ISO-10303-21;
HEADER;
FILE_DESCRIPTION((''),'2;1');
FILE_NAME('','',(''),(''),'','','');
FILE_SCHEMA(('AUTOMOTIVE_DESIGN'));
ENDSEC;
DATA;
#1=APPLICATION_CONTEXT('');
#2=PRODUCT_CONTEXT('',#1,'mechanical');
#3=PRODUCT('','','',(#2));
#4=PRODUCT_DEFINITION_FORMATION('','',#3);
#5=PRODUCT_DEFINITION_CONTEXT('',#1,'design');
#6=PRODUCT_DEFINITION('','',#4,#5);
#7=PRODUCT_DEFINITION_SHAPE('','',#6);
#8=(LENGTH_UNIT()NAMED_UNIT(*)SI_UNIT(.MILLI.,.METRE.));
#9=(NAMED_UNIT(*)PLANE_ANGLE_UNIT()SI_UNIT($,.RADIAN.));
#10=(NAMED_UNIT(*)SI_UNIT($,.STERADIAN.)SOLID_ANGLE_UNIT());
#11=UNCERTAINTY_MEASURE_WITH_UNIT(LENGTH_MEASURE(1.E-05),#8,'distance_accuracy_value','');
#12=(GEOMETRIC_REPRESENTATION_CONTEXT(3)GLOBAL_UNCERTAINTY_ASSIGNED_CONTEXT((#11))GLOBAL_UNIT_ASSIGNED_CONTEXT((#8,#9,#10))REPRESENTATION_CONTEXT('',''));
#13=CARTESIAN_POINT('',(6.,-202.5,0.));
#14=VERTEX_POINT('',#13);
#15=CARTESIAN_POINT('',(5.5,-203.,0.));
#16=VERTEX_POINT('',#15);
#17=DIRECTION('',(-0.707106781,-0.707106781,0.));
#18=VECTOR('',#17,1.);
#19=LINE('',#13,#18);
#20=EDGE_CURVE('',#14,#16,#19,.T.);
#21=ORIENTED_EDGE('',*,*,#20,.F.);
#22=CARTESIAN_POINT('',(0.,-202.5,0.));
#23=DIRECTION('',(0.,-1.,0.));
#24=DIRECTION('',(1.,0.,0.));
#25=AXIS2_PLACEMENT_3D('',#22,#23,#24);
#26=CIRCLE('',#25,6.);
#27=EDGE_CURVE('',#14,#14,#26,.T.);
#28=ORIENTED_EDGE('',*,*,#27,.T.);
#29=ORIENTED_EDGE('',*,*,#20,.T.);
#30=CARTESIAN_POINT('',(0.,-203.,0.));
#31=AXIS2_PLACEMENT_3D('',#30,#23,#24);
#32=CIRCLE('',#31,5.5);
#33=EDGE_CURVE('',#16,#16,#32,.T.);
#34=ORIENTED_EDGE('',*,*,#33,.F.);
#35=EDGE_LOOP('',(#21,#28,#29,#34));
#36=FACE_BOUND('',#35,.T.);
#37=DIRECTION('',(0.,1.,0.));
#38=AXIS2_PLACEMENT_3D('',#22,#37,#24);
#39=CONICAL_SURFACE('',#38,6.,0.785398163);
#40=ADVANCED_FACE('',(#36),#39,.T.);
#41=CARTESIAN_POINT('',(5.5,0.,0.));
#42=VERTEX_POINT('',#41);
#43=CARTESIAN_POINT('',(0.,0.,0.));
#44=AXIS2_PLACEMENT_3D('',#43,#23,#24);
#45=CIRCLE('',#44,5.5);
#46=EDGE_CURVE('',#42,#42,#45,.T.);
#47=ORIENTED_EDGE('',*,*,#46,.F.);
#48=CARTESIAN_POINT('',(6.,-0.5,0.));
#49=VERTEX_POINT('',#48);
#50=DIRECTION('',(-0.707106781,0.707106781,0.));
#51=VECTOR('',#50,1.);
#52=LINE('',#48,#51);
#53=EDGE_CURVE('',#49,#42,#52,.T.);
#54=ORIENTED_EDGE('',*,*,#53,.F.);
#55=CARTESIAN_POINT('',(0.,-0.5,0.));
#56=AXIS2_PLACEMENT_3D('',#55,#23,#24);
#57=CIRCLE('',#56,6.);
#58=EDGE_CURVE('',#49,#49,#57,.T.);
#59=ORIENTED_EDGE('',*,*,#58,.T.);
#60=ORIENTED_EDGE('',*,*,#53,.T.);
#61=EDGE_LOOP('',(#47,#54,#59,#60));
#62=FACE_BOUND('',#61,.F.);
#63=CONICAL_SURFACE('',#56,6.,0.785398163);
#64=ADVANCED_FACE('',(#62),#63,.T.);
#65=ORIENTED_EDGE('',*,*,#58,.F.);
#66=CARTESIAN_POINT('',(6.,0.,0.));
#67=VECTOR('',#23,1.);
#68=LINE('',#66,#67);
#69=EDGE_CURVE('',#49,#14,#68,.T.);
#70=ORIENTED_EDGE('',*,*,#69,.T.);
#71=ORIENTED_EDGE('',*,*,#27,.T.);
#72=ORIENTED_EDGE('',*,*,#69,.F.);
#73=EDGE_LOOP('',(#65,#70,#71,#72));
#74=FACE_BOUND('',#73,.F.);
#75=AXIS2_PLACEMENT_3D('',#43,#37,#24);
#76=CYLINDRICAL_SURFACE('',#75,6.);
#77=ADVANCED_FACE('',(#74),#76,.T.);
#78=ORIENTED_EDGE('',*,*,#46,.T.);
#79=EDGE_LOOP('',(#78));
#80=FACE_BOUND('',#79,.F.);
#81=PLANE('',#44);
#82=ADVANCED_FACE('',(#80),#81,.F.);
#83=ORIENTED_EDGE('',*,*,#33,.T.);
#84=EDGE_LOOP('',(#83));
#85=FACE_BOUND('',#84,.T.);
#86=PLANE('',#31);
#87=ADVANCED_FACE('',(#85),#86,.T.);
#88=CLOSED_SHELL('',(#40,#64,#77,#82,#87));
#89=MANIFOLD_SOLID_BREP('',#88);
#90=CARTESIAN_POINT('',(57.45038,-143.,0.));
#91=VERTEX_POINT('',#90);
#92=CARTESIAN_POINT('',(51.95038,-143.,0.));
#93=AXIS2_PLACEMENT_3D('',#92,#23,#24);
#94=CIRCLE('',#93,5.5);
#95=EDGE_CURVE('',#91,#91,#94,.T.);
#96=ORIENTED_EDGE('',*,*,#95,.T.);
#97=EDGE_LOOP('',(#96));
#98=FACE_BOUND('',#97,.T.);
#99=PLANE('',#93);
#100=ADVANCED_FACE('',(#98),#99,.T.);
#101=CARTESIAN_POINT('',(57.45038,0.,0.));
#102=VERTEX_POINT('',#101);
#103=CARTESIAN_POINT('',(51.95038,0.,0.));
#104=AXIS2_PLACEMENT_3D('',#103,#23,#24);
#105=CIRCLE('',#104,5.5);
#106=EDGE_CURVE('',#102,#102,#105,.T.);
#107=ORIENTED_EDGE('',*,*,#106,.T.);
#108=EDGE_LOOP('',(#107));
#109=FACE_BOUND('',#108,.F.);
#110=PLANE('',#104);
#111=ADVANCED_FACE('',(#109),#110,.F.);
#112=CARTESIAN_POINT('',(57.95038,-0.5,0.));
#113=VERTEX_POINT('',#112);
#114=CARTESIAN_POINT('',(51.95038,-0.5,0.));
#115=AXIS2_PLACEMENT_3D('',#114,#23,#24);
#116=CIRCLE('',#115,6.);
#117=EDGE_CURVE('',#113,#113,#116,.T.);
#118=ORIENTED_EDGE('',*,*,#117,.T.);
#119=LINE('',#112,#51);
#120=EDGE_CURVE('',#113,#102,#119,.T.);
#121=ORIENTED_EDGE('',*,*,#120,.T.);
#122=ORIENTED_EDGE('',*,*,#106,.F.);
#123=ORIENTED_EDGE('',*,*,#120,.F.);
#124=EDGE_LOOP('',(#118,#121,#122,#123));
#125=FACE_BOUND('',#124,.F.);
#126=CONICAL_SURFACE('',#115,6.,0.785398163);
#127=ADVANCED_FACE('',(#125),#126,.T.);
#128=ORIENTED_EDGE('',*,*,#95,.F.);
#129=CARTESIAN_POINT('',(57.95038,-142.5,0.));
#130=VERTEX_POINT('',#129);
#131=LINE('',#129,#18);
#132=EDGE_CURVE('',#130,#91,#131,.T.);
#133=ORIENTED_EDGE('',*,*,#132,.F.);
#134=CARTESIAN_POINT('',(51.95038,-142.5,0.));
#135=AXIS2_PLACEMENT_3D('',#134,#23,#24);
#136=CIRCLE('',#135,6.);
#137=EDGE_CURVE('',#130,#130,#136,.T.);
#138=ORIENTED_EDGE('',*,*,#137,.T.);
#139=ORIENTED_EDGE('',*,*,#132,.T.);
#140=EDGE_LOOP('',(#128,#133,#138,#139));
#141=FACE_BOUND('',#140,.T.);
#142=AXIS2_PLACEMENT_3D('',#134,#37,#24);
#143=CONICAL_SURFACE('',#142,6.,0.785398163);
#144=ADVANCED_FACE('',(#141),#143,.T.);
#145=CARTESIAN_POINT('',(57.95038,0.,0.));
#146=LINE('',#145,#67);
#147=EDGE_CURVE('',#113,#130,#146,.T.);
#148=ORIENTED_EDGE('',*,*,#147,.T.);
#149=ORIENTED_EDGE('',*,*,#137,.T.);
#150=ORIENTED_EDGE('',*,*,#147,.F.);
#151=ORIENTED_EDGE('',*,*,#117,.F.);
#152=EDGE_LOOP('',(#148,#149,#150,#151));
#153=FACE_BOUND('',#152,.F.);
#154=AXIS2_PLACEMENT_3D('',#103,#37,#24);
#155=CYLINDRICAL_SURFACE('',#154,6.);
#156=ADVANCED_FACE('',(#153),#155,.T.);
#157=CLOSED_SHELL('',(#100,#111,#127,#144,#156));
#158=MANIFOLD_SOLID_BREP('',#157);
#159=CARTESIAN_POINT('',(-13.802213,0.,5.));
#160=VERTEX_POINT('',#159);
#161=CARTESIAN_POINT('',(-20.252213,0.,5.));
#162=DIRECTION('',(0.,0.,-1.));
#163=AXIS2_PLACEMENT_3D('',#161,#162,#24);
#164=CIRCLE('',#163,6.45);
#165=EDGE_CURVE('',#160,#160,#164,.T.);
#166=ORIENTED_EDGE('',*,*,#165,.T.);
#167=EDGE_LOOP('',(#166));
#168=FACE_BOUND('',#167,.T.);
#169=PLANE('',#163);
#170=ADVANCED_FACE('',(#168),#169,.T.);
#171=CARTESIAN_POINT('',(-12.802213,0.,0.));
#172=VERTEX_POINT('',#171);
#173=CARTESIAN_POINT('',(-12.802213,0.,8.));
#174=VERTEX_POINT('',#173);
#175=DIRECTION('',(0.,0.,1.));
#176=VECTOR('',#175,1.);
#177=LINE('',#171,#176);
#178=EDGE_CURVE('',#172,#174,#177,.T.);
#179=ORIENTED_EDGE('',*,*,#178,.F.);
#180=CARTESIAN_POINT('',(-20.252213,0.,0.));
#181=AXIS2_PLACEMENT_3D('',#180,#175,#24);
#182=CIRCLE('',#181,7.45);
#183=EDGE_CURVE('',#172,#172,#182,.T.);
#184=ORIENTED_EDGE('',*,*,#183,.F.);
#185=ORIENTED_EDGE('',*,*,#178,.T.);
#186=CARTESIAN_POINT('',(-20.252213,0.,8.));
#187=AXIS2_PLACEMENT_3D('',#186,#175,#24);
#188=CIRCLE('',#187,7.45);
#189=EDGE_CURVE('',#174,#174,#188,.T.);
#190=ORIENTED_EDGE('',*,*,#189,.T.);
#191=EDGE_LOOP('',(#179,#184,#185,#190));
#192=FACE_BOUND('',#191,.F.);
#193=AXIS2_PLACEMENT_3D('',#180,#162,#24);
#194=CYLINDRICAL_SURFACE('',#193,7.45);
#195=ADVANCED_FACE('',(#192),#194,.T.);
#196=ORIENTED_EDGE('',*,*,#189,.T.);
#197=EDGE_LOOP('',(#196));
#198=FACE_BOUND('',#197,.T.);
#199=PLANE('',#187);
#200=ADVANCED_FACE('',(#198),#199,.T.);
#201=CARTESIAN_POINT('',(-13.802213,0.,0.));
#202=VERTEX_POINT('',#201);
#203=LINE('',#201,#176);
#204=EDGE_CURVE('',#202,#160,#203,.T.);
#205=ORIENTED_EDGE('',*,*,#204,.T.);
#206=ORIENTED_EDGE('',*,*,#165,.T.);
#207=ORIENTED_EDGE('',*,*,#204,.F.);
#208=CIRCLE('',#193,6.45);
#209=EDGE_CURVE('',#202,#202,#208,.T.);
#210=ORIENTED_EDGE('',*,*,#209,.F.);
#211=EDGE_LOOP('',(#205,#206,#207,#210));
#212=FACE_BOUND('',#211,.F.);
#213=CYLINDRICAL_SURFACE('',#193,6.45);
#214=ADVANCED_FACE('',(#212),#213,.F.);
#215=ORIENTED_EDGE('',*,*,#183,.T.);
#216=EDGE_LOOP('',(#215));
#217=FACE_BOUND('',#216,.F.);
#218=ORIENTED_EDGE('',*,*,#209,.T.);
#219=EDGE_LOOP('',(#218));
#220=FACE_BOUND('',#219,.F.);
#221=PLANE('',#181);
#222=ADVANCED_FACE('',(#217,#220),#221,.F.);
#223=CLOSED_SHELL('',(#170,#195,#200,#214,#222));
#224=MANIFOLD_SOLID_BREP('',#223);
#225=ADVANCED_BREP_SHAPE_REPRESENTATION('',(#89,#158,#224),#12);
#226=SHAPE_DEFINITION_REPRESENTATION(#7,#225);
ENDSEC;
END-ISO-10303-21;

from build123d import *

# Parameters (mm, degrees)
F0_R     = 6
F1_DEPTH = 203
F2_SIZE  = 0.5
F3_DEPTH = 143
F4_SIZE  = 0.5
F5_R     = 7.45
F6_DEPTH = 8
F7_R     = 6.45
F8_DEPTH = 5


with BuildPart() as f1:
    # F0 (on Front) → F1 (new body)
    with BuildSketch(Plane.XZ):
        Circle(F0_R)
    extrude(amount=F1_DEPTH)

    # F2
    f2_edges = [f1.edges().sort_by_distance(p)[0] for p in [
        (-6, -203, 0),
        (-6, 0, 0),
    ]]
    chamfer(f2_edges, length=F2_SIZE)


with BuildPart() as f3:
    # F0 (on Front) → F3 (new body)
    with BuildSketch(Plane.XZ):
        with Locations((51.95038, 0)):
            Circle(F0_R)
    extrude(amount=F3_DEPTH)

    # F4
    f4_edges = [f3.edges().sort_by_distance(p)[0] for p in [
        (45.95038, -143, 0),
        (45.95038, 0, 0),
    ]]
    chamfer(f4_edges, length=F4_SIZE)


with BuildPart() as f6:
    # F5 (on Top) → F6 (new body)
    with BuildSketch(Plane.XY):
        with Locations((-20.252213, 0)):
            Circle(F5_R)
    extrude(amount=F6_DEPTH)

    # F7 (on face) → F8 (cut)
    with BuildSketch(Plane(origin=(0, 0, 0), x_dir=(1, 0, 0), z_dir=(0, 0, -1))):
        with Locations((-20.252213, 0)):
            Circle(F7_R)
    extrude(amount=-F8_DEPTH, mode=Mode.SUBTRACT)


solid = Compound([f1.part, f3.part, f6.part])
